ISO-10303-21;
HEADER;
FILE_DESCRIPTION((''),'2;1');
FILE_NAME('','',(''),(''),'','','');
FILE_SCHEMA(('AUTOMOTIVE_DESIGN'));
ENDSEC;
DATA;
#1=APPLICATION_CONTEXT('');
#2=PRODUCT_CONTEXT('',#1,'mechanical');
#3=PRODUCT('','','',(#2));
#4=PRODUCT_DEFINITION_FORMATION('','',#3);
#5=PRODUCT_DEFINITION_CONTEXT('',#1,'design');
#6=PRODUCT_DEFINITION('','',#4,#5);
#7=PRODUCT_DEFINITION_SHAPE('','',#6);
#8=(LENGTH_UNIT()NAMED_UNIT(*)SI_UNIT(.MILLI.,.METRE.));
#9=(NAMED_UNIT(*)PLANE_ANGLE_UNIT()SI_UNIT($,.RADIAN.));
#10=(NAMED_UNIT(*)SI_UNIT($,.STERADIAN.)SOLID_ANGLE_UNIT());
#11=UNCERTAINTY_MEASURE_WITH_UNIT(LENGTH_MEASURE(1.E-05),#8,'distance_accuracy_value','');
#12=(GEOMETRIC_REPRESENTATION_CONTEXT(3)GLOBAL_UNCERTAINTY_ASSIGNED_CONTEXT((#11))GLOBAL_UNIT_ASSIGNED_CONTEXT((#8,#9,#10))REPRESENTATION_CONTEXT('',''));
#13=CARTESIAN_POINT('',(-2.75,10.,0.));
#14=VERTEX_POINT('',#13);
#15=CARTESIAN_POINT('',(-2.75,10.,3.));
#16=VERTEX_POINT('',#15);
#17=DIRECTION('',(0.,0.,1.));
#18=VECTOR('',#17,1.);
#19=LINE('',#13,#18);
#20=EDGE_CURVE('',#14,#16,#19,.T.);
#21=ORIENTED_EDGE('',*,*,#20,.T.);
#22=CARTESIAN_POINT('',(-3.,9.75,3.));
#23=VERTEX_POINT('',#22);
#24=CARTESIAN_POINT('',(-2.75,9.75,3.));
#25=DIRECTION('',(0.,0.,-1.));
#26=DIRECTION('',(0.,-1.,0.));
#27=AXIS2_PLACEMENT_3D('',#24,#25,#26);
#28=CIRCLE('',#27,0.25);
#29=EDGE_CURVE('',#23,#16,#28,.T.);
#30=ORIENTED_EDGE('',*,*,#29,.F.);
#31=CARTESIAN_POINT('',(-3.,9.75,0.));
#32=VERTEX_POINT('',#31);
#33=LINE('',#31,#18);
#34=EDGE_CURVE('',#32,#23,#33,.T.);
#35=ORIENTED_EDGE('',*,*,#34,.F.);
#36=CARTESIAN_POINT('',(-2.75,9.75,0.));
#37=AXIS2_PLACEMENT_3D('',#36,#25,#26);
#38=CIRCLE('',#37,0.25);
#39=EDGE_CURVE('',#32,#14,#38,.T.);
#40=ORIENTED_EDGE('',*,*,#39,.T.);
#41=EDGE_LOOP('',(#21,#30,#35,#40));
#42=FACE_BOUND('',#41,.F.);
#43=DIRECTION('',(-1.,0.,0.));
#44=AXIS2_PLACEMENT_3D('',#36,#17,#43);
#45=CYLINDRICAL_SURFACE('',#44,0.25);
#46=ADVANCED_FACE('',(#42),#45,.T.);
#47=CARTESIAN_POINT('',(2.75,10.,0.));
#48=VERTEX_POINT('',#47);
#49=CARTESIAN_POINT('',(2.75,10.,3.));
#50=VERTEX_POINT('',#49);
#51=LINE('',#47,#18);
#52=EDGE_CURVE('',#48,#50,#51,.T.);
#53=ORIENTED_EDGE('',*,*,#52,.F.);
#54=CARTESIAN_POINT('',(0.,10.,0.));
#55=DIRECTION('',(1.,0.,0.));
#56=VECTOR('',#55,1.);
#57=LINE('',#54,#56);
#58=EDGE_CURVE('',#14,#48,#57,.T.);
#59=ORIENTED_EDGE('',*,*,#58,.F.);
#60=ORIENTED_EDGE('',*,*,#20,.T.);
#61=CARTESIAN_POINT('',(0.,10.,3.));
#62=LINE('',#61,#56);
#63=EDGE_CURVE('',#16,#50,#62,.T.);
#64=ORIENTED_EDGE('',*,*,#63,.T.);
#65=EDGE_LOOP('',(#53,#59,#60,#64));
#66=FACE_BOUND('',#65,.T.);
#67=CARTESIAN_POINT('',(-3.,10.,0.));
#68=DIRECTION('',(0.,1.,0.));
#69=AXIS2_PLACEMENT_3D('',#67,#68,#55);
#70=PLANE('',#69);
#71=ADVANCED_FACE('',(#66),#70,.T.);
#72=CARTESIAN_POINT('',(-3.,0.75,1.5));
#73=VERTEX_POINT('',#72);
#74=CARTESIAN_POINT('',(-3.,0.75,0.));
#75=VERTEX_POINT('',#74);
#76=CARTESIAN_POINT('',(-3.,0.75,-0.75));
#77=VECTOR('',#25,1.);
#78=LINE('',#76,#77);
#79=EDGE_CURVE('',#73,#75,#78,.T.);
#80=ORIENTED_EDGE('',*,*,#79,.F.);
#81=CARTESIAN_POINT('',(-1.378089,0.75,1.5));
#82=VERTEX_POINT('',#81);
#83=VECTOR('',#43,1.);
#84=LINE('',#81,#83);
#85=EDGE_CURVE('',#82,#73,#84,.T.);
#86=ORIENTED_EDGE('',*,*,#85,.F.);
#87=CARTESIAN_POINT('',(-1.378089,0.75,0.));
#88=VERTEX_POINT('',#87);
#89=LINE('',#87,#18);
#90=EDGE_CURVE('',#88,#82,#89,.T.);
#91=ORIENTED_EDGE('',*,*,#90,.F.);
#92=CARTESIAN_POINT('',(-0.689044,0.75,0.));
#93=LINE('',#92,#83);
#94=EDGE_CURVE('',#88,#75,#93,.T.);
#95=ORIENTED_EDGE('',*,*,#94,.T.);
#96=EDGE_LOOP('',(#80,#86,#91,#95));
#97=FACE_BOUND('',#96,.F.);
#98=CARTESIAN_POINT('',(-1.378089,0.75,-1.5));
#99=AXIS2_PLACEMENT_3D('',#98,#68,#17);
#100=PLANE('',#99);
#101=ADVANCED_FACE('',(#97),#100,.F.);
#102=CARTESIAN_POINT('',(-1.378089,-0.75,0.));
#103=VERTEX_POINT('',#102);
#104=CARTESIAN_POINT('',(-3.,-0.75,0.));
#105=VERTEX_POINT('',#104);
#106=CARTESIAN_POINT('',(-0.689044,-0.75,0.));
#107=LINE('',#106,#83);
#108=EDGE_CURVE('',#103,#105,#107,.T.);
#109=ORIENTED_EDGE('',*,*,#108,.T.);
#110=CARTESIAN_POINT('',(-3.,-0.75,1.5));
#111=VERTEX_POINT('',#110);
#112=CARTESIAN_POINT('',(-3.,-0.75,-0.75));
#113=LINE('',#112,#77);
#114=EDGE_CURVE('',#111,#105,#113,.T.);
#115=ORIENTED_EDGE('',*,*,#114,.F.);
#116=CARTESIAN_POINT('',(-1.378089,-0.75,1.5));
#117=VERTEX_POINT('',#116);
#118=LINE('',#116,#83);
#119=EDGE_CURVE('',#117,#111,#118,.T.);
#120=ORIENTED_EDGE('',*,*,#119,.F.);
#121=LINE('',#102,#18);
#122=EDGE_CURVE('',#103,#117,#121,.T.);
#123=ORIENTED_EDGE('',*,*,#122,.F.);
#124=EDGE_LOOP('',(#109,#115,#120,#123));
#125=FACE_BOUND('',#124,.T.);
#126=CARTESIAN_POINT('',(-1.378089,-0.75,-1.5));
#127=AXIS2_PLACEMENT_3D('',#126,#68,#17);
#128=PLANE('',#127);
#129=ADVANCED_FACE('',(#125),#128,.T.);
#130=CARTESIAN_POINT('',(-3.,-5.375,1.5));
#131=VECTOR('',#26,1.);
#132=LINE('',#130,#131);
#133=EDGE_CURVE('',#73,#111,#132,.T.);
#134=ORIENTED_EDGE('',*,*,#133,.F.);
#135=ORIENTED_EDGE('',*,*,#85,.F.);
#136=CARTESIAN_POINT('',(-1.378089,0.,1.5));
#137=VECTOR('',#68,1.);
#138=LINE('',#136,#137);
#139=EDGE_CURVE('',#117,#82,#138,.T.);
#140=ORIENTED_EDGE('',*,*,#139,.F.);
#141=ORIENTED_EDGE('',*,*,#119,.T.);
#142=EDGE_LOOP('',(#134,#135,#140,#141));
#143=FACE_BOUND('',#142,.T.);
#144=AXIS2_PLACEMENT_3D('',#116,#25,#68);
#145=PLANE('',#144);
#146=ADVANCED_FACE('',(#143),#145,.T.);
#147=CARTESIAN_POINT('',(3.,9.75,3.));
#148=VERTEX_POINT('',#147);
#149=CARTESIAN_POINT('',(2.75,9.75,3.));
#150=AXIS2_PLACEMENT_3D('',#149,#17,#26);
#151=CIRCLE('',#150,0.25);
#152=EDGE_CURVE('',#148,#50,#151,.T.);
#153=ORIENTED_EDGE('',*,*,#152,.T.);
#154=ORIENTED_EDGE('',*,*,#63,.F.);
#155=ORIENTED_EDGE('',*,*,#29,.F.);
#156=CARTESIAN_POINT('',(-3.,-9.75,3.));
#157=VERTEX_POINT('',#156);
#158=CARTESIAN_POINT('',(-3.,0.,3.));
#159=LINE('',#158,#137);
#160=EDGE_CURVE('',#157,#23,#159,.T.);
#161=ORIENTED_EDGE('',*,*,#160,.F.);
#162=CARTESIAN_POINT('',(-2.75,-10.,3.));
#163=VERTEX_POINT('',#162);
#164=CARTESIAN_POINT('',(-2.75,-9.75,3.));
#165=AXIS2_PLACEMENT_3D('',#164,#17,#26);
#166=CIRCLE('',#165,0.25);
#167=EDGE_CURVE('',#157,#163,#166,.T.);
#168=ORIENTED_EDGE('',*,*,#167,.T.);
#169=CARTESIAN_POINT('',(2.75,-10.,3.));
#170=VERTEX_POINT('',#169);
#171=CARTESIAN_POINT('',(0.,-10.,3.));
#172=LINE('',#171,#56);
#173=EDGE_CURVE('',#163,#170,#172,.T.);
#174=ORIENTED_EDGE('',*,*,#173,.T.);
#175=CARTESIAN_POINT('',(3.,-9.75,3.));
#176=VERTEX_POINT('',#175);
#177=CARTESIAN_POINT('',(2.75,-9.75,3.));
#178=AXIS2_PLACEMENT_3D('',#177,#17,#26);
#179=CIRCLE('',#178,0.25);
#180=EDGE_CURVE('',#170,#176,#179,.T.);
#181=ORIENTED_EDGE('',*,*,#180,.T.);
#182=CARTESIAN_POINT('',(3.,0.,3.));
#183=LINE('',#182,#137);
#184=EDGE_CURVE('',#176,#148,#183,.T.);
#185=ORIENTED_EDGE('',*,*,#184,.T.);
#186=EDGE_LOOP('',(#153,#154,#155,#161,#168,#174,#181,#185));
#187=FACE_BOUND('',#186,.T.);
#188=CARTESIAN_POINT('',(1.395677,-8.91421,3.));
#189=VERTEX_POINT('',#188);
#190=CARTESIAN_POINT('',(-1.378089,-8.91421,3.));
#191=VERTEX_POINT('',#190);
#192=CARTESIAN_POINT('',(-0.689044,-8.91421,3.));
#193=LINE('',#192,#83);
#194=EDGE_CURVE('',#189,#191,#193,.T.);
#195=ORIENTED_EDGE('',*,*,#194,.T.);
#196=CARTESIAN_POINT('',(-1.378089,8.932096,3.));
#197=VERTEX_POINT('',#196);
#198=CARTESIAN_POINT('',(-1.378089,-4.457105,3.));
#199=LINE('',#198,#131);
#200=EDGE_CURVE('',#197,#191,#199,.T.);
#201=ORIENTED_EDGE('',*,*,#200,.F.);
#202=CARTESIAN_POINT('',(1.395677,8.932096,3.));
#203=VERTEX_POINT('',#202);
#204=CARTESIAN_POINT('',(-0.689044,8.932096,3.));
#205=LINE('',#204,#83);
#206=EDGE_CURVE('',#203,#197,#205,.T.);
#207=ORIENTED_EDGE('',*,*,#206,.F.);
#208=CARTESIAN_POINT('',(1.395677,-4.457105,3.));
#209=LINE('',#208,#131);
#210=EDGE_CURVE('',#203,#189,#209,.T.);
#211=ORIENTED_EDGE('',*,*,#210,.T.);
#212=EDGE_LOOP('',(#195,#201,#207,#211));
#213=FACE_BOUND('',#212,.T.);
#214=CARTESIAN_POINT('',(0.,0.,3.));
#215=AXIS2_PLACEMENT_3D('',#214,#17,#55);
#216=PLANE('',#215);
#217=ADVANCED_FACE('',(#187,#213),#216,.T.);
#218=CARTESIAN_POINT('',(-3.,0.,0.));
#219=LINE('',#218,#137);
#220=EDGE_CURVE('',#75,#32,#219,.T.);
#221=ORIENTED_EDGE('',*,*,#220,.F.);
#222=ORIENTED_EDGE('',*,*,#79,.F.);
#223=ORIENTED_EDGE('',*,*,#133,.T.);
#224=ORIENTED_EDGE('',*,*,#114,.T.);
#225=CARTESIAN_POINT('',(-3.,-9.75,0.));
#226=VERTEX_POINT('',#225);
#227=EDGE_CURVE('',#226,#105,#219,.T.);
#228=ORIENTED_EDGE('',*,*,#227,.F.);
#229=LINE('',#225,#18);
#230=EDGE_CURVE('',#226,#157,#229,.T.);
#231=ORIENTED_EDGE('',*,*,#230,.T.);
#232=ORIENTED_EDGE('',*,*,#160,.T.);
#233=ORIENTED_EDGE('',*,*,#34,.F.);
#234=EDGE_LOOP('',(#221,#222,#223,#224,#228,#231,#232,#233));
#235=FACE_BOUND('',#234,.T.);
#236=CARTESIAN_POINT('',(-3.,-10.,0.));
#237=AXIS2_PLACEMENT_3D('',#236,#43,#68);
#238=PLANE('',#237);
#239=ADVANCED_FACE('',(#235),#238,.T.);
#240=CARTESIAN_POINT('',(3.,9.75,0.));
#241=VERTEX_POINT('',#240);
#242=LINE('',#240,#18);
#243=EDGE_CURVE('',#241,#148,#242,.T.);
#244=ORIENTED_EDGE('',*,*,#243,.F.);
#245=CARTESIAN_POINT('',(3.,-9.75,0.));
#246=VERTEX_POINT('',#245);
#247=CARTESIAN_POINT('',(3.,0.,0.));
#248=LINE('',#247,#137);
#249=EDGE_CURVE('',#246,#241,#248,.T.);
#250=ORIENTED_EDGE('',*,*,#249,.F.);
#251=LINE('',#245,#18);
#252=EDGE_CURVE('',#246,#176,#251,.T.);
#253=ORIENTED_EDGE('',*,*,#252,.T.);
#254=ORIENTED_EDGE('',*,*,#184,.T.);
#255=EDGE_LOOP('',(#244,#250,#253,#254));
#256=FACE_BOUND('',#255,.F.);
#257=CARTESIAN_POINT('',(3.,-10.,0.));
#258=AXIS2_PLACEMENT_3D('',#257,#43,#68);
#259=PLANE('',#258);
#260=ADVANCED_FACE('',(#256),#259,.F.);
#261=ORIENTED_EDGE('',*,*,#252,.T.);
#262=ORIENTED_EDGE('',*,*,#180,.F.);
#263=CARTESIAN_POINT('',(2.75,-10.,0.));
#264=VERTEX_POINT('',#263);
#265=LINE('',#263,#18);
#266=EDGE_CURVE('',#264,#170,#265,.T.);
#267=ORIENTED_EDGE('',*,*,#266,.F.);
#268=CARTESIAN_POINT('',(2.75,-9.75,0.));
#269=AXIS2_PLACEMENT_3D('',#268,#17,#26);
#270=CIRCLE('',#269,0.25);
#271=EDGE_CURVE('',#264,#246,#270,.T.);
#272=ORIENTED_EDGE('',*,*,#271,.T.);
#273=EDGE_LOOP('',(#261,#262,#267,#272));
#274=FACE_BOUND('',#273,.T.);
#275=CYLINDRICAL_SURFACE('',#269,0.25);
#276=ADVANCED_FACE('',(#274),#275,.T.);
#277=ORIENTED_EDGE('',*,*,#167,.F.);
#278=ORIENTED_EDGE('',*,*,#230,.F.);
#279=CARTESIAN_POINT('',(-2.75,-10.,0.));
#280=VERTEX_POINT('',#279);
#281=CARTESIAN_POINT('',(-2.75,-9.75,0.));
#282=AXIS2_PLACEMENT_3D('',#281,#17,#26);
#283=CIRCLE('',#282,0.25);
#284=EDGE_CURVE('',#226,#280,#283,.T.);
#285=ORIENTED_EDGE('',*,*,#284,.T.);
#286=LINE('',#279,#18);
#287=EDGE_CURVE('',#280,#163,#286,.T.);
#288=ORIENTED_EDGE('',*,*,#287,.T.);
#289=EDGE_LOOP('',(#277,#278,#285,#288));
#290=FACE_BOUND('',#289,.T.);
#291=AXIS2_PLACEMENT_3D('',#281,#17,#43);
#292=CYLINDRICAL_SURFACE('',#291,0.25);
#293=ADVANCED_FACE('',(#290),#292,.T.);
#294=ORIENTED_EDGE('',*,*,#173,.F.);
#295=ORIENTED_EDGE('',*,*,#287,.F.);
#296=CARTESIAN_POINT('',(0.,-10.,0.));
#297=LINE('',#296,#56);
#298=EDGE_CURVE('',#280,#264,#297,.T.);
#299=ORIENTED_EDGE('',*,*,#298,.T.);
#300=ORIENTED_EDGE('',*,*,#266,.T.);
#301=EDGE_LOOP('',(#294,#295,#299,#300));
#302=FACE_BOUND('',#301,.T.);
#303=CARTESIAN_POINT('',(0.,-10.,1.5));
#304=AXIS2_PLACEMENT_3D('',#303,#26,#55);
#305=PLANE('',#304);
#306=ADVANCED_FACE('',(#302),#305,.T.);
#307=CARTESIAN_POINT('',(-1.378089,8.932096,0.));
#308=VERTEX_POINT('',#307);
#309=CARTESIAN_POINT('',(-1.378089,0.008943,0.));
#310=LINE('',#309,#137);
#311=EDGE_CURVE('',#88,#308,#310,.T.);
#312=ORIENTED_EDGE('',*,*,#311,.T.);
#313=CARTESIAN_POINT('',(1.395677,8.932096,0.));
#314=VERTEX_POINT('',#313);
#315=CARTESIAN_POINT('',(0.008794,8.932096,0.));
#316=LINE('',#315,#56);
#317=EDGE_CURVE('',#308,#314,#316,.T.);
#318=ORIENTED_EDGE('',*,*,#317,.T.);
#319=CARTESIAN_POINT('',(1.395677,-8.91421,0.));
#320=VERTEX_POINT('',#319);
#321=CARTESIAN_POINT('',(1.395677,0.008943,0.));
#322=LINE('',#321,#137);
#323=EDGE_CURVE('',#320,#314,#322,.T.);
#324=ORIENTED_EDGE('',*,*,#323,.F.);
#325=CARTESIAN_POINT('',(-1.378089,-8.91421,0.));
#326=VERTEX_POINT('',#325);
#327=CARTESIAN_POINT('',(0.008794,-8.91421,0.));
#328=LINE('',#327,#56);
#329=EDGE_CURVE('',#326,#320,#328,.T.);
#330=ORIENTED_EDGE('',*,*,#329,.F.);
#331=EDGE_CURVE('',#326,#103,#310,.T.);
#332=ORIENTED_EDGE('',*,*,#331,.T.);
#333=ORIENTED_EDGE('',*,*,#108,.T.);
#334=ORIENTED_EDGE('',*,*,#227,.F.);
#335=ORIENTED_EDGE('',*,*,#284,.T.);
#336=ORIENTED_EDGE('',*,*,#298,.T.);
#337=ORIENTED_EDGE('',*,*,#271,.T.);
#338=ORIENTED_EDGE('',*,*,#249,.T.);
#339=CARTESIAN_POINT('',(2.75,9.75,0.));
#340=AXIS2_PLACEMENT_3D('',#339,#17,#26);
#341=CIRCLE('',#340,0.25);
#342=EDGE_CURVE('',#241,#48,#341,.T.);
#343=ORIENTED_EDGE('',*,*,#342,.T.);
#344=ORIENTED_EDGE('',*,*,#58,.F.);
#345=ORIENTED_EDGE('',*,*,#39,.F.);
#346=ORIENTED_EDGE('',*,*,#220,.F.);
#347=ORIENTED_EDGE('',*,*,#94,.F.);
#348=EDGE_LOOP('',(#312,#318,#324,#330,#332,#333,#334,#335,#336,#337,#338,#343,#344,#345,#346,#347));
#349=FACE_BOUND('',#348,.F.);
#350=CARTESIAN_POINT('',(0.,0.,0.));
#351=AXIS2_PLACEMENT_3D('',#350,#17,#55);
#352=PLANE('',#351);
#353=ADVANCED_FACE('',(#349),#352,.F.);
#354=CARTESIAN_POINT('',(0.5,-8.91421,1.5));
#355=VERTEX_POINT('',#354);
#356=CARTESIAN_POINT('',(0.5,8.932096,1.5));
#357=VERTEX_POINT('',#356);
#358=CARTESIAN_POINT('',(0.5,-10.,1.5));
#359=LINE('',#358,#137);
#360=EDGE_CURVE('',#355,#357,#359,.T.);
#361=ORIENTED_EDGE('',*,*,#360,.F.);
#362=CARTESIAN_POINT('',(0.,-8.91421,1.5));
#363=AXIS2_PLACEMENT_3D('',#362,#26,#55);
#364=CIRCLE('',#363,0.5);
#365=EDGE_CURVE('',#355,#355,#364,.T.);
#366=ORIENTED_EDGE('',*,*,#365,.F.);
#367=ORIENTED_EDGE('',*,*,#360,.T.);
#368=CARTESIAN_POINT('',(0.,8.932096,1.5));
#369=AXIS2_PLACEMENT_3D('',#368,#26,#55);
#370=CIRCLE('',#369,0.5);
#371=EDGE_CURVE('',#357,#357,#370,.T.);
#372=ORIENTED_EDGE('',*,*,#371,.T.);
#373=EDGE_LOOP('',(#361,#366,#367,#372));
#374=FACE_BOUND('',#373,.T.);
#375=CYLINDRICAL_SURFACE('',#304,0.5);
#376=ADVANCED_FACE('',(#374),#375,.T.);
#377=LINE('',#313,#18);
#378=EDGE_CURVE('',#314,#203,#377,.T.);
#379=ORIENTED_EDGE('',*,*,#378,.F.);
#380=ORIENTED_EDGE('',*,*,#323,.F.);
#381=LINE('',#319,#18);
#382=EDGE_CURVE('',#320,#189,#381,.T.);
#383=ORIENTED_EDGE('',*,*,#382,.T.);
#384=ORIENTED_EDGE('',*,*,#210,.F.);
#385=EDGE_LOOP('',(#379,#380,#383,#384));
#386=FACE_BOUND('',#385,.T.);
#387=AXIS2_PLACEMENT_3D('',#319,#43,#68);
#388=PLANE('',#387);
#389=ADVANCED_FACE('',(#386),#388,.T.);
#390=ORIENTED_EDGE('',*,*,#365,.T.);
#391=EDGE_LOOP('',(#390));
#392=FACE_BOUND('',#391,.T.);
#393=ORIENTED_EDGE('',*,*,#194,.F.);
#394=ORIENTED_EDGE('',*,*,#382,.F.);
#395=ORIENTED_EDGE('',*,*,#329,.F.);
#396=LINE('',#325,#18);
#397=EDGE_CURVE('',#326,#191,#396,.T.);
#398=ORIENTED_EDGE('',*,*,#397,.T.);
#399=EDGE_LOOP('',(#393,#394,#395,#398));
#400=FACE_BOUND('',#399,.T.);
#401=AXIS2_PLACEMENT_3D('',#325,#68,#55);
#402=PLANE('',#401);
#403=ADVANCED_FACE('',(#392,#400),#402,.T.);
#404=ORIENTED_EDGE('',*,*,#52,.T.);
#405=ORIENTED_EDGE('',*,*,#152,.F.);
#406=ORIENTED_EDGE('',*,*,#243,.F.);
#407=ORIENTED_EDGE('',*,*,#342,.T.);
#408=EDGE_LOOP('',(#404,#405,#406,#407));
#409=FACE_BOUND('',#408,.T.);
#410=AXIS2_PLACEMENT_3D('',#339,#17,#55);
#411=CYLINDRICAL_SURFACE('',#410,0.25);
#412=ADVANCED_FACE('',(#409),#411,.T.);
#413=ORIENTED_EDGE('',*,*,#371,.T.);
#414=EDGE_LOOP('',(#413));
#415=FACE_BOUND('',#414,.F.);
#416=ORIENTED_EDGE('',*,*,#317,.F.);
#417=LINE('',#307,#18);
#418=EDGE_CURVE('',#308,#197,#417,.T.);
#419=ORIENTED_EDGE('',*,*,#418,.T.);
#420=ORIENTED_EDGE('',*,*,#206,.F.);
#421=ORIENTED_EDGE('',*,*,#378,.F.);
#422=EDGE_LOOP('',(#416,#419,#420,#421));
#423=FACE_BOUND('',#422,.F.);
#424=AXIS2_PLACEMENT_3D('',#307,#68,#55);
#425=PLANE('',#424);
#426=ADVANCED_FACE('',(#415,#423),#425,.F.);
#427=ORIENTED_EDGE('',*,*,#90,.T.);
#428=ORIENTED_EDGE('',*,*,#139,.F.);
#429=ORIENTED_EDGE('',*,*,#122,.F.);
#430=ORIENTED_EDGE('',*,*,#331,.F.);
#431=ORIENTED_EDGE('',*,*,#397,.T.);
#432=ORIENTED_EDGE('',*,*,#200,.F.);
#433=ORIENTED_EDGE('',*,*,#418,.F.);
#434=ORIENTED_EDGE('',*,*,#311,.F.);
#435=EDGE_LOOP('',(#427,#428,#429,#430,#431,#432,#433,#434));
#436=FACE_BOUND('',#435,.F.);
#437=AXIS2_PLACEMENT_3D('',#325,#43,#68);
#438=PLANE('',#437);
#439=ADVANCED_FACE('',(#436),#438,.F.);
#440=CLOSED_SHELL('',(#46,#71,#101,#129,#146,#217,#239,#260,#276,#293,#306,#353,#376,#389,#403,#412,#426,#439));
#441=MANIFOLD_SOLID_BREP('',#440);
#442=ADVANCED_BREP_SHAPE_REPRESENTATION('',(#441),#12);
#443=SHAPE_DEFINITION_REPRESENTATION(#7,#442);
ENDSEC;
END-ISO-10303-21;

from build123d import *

# Parameters (mm, degrees)
F0_W     = 6
F0_H     = 20
F1_DEPTH = 3
F2_R     = 0.25
F3_W     = 2.773765591
F3_H     = 17.8463058546
F4_DEPTH = 5.9
F6_R     = 0.5
F7_DEPTH = 19.2
F8_W     = 1.5
F8_H     = 3
F9_DEPTH = 3.6


with BuildPart() as f1:
    # F0 (on Top) → F1 (new body)
    with BuildSketch(Plane.XY):
        Rectangle(F0_W, F0_H)
    extrude(amount=F1_DEPTH)

    # F2
    f2_edges = [f1.edges().sort_by_distance(p)[0] for p in [
        (3, 10, 1.5),
        (-3, 10, 1.5),
        (-3, -10, 1.5),
        (3, -10, 1.5),
    ]]
    fillet(f2_edges, radius=F2_R)

    # F3 (on Top) → F4 (cut)
    with BuildSketch(Plane.XY):
        with Locations((0.008794188, 0.008943025)):
            Rectangle(F3_W, F3_H)
    extrude(amount=F4_DEPTH, mode=Mode.SUBTRACT)

    # F6 (on offset) → F7 (join)
    with BuildSketch(Plane.XZ.offset(10)):
        with Locations((0, 1.5)):
            Circle(F6_R)
    extrude(amount=-F7_DEPTH)

    # F8 (on face) → F9 (cut)
    with BuildSketch(Plane.YZ.offset(-1.3780886075)):
        Rectangle(F8_W, F8_H)
    extrude(amount=-F9_DEPTH, mode=Mode.SUBTRACT)


solid = f1.part
